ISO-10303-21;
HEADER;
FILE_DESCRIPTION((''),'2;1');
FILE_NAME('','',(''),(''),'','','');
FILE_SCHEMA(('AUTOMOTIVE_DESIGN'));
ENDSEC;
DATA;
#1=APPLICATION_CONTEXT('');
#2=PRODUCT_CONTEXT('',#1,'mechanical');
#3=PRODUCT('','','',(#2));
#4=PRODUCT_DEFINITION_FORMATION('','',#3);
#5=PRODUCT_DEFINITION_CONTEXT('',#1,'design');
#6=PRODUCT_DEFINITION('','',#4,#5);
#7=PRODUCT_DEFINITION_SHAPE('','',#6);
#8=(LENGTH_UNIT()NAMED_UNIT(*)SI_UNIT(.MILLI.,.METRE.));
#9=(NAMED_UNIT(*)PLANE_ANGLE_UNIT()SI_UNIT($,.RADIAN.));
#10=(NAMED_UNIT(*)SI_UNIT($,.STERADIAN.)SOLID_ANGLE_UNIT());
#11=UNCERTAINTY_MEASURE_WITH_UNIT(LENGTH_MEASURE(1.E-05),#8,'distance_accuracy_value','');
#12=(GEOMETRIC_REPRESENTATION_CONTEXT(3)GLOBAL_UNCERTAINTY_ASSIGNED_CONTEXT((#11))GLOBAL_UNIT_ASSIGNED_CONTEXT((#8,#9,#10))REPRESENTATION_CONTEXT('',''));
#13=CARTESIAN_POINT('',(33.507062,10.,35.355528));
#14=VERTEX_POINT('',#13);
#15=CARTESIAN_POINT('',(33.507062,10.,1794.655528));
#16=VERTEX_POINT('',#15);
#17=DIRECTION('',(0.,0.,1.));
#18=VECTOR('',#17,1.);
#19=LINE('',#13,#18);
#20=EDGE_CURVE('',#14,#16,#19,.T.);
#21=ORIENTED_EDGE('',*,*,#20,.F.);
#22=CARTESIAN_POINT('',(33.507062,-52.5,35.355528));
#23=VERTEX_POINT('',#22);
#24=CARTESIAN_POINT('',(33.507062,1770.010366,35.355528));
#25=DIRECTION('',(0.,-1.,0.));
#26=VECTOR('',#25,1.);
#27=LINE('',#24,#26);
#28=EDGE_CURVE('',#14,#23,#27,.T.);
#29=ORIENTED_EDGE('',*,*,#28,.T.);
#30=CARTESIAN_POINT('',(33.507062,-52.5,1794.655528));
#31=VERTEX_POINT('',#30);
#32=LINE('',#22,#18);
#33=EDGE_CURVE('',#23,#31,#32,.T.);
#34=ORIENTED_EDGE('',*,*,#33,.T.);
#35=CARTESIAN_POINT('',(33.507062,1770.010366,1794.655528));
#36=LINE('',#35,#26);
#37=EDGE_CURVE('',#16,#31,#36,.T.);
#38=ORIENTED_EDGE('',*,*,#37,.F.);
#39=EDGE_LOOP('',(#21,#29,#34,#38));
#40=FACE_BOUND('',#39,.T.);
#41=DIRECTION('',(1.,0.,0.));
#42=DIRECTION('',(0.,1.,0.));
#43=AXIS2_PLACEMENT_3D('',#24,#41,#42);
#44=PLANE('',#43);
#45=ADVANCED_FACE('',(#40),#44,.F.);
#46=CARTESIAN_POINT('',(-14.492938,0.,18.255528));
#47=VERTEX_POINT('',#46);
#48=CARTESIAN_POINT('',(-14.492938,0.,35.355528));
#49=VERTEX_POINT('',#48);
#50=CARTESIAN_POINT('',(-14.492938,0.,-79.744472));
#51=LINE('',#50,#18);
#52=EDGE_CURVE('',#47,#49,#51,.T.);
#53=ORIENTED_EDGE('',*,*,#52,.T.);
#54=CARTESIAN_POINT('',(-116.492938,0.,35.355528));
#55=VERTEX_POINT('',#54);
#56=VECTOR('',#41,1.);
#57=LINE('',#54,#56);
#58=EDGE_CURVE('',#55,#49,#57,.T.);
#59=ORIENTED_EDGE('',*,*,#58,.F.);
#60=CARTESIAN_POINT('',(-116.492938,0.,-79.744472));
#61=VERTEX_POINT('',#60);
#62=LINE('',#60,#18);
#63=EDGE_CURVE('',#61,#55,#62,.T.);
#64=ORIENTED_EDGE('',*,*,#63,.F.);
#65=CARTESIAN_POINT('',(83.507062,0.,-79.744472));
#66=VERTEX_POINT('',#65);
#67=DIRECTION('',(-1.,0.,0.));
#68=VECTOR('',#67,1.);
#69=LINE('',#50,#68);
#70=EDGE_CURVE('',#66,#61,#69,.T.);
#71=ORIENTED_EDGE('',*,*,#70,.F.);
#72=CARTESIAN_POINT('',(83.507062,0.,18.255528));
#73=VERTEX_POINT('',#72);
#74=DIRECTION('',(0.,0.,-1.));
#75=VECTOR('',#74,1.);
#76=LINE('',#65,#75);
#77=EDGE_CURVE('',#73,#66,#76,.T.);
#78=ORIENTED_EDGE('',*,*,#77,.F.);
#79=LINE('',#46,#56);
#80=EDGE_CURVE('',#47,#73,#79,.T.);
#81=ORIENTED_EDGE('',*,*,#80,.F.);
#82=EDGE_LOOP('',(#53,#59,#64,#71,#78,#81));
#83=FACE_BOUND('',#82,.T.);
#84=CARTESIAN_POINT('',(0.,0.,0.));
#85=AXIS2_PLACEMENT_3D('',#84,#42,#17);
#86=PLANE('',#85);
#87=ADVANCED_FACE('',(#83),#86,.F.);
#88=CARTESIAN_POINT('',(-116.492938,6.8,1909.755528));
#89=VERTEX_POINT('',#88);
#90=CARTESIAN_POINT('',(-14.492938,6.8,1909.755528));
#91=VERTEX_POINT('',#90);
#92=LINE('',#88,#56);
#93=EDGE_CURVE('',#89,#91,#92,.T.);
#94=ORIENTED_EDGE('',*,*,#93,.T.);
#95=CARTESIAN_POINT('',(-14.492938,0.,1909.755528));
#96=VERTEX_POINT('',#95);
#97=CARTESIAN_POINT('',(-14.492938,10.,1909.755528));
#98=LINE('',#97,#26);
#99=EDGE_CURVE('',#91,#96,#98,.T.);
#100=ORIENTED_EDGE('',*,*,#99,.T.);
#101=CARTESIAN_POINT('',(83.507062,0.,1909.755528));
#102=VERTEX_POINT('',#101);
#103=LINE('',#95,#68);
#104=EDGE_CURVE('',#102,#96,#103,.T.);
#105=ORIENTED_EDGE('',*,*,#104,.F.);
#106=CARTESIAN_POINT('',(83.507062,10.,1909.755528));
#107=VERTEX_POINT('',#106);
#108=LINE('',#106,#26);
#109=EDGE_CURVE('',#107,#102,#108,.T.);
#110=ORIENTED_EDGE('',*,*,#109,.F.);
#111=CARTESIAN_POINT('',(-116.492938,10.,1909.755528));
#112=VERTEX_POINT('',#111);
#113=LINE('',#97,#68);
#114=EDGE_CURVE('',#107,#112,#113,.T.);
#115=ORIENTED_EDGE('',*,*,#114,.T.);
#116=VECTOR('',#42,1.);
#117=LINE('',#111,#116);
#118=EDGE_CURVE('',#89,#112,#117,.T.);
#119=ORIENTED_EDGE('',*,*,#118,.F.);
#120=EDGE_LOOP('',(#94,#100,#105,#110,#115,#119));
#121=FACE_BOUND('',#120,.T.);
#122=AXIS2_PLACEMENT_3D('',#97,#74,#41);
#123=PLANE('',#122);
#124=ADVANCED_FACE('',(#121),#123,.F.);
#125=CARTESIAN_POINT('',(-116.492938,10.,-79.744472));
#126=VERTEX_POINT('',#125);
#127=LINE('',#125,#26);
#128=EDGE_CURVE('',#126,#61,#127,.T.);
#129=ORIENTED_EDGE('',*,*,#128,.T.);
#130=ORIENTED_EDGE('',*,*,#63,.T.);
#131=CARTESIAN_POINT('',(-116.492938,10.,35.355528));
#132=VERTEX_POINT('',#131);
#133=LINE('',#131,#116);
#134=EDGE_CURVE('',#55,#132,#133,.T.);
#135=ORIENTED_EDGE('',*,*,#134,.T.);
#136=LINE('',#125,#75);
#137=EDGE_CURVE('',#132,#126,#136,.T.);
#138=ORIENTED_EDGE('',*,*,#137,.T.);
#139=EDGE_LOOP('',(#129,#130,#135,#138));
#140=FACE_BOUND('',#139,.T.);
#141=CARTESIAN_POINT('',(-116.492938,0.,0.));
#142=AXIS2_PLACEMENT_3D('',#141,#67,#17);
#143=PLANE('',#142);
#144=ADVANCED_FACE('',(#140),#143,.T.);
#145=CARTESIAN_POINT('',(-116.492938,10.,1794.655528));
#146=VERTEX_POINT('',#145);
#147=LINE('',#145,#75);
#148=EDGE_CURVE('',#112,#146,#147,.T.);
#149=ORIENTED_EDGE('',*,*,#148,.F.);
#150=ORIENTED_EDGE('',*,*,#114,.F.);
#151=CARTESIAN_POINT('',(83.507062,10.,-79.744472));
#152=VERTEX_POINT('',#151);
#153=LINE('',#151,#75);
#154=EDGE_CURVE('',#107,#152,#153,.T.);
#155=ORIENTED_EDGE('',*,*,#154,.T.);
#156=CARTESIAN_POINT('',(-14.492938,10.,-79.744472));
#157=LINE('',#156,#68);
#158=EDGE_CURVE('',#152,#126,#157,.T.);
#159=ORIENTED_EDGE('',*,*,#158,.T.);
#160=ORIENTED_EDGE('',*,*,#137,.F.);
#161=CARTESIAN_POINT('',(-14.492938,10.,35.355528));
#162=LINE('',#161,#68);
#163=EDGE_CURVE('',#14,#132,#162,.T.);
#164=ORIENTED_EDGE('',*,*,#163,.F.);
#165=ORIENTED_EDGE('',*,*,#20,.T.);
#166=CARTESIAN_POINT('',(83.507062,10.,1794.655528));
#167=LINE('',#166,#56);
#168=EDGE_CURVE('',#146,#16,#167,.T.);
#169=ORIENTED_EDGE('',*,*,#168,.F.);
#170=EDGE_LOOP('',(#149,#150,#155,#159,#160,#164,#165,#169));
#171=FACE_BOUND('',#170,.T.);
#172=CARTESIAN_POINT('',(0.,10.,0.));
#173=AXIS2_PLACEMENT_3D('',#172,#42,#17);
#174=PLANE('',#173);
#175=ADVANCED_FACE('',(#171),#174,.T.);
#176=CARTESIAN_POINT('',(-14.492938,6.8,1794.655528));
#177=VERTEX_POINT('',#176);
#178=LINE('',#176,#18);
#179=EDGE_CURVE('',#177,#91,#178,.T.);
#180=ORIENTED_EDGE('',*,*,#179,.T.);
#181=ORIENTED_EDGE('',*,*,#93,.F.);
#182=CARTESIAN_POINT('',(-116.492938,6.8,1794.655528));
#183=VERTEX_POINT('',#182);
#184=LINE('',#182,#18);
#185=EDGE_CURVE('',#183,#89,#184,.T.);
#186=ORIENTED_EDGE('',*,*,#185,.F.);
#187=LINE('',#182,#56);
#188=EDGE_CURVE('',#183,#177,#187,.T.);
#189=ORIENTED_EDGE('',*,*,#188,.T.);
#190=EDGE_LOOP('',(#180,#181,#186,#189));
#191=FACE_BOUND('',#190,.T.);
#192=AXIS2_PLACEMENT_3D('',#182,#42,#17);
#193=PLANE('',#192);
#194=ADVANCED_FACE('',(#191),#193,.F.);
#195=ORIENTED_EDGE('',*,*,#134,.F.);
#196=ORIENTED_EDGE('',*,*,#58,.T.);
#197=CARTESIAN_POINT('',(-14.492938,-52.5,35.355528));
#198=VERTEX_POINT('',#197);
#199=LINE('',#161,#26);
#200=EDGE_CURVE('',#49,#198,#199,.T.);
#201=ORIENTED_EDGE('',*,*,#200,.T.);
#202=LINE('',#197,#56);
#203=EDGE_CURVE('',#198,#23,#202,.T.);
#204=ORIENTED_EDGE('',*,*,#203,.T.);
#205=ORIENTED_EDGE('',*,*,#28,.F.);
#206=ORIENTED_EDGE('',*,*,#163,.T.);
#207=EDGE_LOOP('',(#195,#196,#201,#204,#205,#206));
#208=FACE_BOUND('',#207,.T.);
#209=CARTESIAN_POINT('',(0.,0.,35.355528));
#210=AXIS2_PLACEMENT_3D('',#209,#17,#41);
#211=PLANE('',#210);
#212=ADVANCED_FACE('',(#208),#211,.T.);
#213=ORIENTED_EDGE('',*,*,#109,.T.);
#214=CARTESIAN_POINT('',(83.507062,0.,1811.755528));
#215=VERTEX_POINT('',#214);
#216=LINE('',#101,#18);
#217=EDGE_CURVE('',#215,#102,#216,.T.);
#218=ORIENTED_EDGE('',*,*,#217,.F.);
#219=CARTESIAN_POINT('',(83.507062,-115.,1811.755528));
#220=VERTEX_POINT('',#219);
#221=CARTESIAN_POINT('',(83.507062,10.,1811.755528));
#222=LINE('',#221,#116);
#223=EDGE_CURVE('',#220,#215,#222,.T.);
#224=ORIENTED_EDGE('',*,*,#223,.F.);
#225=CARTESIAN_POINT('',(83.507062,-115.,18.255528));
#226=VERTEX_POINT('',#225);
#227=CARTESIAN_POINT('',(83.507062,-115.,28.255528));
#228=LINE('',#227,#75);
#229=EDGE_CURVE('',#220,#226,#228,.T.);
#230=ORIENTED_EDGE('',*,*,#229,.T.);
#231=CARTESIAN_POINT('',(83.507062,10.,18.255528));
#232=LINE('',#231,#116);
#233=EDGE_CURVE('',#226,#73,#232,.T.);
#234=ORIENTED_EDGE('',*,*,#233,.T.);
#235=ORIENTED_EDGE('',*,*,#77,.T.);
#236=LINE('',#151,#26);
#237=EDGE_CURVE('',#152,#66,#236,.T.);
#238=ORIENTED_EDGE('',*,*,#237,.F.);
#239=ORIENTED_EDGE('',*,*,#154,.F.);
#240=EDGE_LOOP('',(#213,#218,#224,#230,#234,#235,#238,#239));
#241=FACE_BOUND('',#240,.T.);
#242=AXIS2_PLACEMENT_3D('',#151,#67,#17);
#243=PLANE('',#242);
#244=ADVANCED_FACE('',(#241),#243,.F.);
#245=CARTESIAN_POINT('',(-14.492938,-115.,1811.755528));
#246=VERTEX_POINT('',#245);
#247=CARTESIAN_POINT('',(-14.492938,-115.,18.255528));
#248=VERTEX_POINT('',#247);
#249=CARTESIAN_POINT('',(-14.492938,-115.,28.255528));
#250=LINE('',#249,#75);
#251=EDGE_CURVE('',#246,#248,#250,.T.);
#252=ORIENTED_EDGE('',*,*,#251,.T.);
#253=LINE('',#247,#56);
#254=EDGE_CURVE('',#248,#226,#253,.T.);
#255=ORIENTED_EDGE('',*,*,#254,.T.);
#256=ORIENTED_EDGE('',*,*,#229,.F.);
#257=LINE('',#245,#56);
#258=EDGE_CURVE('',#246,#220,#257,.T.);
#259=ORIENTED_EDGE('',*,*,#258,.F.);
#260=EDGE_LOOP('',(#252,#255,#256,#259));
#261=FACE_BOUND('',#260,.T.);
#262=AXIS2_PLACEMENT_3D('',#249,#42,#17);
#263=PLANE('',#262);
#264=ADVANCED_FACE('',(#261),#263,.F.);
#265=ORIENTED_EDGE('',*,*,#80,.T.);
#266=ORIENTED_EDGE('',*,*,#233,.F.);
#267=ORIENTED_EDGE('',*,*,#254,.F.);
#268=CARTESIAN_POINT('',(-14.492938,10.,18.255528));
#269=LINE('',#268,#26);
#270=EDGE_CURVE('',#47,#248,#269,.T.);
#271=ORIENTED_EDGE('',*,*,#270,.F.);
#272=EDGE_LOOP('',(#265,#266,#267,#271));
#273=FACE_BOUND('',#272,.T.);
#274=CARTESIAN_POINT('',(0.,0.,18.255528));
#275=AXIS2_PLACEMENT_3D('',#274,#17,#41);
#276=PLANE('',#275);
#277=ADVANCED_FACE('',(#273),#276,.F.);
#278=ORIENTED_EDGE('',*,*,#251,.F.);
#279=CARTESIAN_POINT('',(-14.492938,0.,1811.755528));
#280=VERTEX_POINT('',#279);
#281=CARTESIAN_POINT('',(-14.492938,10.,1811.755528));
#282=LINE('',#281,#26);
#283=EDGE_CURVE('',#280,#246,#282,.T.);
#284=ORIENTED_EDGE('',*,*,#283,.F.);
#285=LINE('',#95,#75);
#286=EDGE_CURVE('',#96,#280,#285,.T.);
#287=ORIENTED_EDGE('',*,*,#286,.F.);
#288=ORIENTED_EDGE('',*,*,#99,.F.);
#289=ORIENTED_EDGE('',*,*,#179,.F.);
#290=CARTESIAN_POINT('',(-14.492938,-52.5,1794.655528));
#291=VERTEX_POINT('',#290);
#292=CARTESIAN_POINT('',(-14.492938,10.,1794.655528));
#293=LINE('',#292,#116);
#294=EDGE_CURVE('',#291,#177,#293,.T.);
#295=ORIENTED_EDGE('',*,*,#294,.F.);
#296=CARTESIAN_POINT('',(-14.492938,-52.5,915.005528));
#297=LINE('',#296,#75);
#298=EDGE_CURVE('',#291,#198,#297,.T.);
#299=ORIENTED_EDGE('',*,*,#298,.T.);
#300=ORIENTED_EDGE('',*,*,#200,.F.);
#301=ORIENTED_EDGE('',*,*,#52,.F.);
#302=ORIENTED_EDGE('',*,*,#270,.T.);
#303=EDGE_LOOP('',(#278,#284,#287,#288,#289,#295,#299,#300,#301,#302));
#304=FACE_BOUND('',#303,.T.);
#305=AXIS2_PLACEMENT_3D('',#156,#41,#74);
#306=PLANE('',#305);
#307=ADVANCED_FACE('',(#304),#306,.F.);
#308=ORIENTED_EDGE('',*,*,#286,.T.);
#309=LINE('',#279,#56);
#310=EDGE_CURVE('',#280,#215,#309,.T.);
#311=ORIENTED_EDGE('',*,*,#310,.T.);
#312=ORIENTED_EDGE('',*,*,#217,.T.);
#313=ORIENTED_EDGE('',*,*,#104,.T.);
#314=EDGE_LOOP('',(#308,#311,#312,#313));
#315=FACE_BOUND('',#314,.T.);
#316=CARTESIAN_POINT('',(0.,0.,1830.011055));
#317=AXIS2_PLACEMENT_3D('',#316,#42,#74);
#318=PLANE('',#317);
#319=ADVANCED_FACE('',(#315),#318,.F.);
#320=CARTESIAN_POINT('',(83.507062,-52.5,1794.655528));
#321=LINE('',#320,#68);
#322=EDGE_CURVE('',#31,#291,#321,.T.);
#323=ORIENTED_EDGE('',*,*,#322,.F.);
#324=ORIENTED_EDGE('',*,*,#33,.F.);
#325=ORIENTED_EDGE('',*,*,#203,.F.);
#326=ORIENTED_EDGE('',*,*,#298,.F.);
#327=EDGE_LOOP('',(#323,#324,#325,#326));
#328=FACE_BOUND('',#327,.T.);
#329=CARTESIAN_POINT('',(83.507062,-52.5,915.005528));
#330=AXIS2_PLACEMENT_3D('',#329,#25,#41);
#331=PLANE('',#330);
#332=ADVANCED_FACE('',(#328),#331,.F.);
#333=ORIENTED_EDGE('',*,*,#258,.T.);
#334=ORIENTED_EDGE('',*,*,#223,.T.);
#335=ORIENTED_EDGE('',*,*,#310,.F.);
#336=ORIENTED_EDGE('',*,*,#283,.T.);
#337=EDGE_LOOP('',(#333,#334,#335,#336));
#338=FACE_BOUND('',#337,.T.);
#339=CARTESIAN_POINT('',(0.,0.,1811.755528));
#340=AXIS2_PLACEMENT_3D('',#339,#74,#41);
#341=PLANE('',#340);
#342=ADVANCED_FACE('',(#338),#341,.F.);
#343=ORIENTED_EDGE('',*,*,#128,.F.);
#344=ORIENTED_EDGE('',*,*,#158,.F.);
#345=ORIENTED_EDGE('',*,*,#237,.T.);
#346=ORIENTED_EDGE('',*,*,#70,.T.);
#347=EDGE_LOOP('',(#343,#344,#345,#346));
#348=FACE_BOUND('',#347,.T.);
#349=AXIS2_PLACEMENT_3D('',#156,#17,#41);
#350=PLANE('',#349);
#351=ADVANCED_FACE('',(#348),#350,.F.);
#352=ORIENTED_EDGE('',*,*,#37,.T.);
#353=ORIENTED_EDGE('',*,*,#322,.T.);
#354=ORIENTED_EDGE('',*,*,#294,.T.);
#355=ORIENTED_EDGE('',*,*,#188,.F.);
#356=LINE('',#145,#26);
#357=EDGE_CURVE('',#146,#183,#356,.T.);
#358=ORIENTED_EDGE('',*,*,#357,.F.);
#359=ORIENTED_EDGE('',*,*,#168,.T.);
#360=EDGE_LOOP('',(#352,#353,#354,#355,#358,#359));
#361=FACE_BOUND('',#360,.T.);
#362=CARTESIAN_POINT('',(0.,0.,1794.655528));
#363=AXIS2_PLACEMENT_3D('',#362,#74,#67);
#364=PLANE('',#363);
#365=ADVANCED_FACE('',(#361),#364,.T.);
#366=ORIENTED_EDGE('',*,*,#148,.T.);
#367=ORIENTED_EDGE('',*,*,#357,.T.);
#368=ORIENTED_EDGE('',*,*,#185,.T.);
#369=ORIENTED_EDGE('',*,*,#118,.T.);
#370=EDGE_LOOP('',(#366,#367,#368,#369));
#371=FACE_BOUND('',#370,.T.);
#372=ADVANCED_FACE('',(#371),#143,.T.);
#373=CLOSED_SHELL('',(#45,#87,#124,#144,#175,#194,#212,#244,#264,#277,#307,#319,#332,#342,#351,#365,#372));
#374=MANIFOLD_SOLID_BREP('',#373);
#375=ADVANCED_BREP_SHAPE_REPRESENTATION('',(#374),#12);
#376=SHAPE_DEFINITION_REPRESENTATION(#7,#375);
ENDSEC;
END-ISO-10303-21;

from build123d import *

# Parameters (mm, degrees)
SKETCH_2_W      = 98
SKETCH_2_H      = 98
EXTRUDE_1_DEPTH = 10
SKETCH_3_W      = 98
SKETCH_3_H      = 125
EXTRUDE_2_DEPTH = 10
SKETCH_4_W      = 98
SKETCH_4_H      = 62.5
EXTRUDE_3_DEPTH = 886.75
SKETCH_5_W      = 98
SKETCH_5_H      = 62.5
EXTRUDE_4_DEPTH = 7.1
SKETCH_6_W      = 98
SKETCH_6_H      = 62.5
EXTRUDE_5_DEPTH = 7.1
SKETCH_9_W      = 115.1
SKETCH_9_H      = 10
SKETCH_9_H_2    = 3.2
EXTRUDE_6_DEPTH = 102
SKETCH_11_W     = 50
SKETCH_11_H     = 1759.3
EXTRUDE_7_DEPTH = 62.5


with BuildPart() as part:
    # 草图2 → 凸台-拉伸1 (new body)
    with BuildSketch(Plane(origin=(0, 0, 0), x_dir=(1, 0, 0), z_dir=(0, 1, 0))):
        with Locations((34.507061985, 30.744472309)):
            Rectangle(SKETCH_2_W, SKETCH_2_H)
    extrude(amount=EXTRUDE_1_DEPTH)

    # 草图3 → 凸台-拉伸2 (add)
    with BuildSketch(Plane.XY.offset(18.255527691)):
        with Locations((34.507061985, -52.5)):
            Rectangle(SKETCH_3_W, SKETCH_3_H)
    extrude(amount=EXTRUDE_2_DEPTH)

    # 草图4 → 凸台-拉伸3 (add)
    with BuildSketch(Plane.XY.offset(28.255527691)):
        with Locations((34.507061985, -83.75)):
            Rectangle(SKETCH_4_W, SKETCH_4_H)
    extrude(amount=EXTRUDE_3_DEPTH)

    # 镜向4: part across plane


with BuildPart() as part_1:
    add(part.part)
    add(part.part.mirror(Plane.XY.offset(915.005527691)))

    # 草图5 → 凸台-拉伸4 (add)
    with BuildSketch(Plane.XY.offset(28.255527691)):
        with Locations((34.507061985, -21.25)):
            Rectangle(SKETCH_5_W, SKETCH_5_H)
    extrude(amount=EXTRUDE_4_DEPTH)

    # 草图6 → 凸台-拉伸5 (add)
    with BuildSketch(Plane(origin=(0, 0, 1801.755527691), x_dir=(-1, 0, 0), z_dir=(0, 0, -1))):
        with Locations((-34.507061985, -21.25)):
            Rectangle(SKETCH_6_W, SKETCH_6_H)
    extrude(amount=EXTRUDE_5_DEPTH)

    # 草图9 → 凸台-拉伸6 (add)
    with BuildSketch(Plane.ZY.offset(14.492938015)):
        with Locations((-22.194472309, 5)):
            Rectangle(SKETCH_9_W, SKETCH_9_H)
        with Locations((1852.205527691, 8.4)):
            Rectangle(SKETCH_9_W, SKETCH_9_H_2)
    extrude(amount=EXTRUDE_6_DEPTH)

    # 草图11 → 凸台-拉伸7 (add)
    with BuildSketch(Plane(origin=(0, -52.5, 0), x_dir=(1, 0, 0), z_dir=(0, 1, 0))):
        with Locations((58.507061985, -915.005527691)):
            Rectangle(SKETCH_11_W, SKETCH_11_H)
    extrude(amount=EXTRUDE_7_DEPTH)


solid = part_1.part
